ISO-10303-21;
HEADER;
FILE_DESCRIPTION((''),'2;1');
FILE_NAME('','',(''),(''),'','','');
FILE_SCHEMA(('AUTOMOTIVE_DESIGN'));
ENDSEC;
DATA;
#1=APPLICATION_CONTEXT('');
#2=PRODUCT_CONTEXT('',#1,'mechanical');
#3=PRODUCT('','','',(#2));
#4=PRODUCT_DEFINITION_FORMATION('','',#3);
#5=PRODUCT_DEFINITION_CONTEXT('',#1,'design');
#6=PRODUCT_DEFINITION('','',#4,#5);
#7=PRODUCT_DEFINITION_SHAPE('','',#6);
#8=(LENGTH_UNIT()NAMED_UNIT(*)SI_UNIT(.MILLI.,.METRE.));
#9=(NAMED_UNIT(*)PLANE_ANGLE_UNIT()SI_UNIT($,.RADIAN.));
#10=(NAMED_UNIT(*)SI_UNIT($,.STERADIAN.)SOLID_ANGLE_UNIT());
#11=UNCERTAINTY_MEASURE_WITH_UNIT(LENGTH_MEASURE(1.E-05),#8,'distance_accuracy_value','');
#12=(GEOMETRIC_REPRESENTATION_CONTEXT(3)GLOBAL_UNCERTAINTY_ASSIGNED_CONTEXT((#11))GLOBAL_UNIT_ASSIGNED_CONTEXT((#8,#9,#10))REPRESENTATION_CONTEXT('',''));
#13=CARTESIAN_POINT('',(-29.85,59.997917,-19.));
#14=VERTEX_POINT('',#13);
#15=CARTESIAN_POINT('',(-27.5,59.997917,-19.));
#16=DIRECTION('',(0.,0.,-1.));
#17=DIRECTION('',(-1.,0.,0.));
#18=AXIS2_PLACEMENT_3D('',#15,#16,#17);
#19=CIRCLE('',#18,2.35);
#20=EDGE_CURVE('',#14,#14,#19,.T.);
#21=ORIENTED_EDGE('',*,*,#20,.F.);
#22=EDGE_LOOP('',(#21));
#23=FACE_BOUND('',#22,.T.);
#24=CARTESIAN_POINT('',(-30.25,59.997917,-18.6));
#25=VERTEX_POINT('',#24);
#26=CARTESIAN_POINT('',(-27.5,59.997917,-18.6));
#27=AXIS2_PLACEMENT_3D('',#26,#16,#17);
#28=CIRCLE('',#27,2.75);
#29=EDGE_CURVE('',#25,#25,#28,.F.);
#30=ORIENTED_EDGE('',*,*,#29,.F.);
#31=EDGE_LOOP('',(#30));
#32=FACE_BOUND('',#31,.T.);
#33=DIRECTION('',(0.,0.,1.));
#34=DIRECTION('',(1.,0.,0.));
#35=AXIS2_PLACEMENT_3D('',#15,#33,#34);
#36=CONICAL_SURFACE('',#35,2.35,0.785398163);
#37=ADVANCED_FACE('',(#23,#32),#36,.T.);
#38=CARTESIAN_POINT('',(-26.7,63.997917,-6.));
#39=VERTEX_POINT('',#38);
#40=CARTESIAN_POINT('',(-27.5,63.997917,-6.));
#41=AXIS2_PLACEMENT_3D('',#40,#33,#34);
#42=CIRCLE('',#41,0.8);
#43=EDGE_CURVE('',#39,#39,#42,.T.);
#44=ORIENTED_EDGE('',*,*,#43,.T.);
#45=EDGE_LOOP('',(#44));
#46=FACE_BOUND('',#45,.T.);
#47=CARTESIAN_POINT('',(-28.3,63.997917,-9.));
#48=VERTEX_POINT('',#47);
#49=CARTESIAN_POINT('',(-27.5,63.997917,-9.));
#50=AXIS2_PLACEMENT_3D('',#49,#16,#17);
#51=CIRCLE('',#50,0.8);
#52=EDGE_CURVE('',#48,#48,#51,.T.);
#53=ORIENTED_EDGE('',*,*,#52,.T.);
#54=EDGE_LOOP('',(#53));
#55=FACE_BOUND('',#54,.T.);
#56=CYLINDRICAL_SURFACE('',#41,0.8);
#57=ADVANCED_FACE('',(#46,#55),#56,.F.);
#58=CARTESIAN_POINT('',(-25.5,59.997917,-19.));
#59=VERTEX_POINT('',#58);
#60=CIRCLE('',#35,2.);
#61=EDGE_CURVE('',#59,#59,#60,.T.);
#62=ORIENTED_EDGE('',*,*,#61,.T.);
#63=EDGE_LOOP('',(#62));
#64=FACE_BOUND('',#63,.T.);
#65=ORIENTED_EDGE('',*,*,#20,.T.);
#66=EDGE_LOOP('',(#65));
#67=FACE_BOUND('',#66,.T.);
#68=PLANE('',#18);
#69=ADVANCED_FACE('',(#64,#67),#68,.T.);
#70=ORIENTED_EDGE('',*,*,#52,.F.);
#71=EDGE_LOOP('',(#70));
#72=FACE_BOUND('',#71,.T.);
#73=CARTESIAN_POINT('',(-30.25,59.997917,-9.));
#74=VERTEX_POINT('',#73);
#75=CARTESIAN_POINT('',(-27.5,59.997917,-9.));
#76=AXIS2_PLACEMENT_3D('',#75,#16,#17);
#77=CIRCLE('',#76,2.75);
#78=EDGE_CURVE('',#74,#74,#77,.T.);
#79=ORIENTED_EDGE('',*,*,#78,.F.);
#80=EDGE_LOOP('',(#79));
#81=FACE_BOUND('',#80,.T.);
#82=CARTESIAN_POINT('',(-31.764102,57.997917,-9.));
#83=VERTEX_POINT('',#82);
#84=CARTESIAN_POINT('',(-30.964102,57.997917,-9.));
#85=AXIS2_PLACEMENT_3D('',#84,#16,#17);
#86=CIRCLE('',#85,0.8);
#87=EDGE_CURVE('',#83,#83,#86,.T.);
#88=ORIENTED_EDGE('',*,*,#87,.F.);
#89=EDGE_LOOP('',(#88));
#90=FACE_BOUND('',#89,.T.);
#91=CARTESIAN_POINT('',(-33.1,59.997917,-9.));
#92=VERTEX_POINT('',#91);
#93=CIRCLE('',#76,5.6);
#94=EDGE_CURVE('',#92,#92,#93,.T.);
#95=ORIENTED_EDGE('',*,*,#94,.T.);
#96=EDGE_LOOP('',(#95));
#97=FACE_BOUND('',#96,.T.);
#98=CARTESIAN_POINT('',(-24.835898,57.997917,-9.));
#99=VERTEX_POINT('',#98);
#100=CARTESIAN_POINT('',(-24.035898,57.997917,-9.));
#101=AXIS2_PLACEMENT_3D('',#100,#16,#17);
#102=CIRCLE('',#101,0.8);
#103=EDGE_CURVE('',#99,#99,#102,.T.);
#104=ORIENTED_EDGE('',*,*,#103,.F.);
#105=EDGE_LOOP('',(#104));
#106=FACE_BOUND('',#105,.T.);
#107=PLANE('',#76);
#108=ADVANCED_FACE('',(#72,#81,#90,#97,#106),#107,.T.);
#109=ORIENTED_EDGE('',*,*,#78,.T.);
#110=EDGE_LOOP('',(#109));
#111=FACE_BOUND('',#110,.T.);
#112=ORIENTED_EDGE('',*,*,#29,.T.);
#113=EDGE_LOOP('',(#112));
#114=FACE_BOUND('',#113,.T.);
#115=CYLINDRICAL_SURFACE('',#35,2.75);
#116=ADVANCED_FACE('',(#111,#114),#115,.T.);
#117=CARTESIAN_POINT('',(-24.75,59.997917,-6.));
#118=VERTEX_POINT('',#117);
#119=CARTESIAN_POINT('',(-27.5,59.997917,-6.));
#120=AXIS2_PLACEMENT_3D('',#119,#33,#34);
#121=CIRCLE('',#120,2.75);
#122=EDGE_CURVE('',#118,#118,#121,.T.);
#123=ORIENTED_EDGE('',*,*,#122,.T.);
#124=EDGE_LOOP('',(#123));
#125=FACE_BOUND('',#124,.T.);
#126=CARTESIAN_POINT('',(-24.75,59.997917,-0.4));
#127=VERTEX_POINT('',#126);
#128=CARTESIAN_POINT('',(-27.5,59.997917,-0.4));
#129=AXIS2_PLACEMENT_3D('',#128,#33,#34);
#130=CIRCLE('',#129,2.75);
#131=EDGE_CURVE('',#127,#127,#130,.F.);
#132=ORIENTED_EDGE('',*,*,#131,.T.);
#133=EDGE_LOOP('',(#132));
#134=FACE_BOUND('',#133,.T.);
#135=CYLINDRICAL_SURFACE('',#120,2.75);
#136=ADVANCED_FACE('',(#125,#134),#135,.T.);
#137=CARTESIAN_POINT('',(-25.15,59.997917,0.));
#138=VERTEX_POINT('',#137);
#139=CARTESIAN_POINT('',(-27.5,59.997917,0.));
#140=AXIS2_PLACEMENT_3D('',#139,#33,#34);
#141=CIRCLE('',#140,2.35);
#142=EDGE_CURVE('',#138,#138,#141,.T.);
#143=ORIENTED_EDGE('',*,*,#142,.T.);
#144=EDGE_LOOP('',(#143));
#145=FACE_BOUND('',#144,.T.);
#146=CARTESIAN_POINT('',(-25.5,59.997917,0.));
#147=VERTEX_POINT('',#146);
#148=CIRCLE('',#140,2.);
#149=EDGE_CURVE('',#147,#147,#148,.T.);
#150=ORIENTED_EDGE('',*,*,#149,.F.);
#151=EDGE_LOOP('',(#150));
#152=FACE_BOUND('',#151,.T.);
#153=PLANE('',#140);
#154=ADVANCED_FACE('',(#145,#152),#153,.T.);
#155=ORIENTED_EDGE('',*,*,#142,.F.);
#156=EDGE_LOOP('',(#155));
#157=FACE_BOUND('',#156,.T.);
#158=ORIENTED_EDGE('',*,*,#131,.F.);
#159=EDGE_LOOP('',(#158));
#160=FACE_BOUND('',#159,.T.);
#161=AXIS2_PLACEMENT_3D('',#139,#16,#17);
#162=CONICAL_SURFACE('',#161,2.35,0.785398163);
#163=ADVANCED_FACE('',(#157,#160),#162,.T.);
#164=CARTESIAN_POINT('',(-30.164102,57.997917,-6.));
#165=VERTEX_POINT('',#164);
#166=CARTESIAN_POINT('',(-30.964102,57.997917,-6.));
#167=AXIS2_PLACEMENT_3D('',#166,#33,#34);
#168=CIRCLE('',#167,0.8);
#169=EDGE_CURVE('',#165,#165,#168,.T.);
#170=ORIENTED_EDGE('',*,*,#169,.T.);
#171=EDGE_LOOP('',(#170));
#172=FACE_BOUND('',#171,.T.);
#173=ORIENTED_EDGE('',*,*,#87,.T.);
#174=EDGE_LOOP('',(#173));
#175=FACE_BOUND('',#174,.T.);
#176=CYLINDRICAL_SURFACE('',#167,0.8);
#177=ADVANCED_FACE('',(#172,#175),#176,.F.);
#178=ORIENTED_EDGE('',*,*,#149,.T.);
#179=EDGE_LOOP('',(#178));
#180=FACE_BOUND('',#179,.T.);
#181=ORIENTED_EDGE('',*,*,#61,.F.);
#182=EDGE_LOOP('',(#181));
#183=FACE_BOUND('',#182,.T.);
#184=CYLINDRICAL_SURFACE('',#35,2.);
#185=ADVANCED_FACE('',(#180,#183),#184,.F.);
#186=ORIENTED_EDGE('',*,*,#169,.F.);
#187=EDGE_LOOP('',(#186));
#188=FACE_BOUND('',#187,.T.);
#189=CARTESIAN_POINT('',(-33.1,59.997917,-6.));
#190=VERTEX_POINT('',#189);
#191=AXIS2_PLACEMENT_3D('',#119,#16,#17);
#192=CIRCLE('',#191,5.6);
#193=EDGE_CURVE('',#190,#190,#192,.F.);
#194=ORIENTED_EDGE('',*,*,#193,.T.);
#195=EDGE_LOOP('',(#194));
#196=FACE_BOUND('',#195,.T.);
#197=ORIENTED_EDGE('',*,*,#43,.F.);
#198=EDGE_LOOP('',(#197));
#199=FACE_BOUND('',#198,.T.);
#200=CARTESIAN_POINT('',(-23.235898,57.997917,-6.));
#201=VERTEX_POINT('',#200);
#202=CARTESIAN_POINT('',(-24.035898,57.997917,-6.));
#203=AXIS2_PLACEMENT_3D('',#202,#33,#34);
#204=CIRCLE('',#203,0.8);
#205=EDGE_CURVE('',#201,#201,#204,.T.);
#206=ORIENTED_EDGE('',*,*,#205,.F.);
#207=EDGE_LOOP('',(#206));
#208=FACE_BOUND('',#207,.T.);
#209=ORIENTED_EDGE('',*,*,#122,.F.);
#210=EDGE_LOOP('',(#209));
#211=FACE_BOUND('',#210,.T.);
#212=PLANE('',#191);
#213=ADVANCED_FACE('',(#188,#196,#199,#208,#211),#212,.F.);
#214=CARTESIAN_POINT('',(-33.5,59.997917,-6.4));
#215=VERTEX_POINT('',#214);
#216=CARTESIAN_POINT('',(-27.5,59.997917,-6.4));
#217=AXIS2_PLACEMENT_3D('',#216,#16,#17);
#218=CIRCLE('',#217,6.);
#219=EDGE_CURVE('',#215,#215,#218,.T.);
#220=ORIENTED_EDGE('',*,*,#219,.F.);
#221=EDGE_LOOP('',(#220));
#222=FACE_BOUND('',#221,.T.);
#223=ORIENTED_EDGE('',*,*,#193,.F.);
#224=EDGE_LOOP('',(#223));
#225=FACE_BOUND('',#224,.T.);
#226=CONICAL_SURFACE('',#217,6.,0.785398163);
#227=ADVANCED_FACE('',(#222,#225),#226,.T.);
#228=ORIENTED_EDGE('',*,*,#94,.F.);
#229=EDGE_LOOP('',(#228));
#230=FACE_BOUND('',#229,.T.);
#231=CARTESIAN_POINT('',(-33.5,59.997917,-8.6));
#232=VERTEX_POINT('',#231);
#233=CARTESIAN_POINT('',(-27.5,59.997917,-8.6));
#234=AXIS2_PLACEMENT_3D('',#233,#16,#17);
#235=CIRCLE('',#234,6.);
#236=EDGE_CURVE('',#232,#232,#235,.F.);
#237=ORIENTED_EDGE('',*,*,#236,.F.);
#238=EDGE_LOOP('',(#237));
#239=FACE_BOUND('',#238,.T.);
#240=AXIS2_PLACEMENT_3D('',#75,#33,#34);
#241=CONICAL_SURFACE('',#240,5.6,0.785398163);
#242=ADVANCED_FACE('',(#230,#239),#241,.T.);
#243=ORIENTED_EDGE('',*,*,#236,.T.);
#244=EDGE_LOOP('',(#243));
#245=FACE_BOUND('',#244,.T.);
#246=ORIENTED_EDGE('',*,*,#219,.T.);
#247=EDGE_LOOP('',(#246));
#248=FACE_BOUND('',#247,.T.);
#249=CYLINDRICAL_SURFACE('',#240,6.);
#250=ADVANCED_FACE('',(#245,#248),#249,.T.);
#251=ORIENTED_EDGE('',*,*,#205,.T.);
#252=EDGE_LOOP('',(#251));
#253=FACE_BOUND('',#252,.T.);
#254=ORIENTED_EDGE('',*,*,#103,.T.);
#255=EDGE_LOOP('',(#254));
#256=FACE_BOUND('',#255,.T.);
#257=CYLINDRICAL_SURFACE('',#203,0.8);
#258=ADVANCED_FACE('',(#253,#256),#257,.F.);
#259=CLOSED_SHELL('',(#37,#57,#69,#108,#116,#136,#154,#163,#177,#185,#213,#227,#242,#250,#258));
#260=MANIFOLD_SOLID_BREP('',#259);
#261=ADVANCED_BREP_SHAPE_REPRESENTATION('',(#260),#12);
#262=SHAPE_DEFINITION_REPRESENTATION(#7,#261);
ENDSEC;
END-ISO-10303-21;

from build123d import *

# Parameters (mm, degrees)
SKETCH1_R             = 2.75
BOSS_EXTRUDE1_DEPTH   = 6
SKETCH3_R             = 6
BOSS_EXTRUDE2_DEPTH   = 3
SKETCH4_R             = 2.75
BOSS_EXTRUDE3_DEPTH   = 10
M2X0_4_TAPPED_HOLE1_D = 1.6
CHAMFER1_SIZE         = 0.4
SKETCH7_R             = 2
CUT_EXTRUDE1_DEPTH    = 20


with BuildPart() as part:
    # Sketch1 → Boss-Extrude1 (new body)
    with BuildSketch(Plane.XY):
        with Locations((-27.5, 59.99791663)):
            Circle(SKETCH1_R)
    extrude(amount=-BOSS_EXTRUDE1_DEPTH)

    # Sketch3 → Boss-Extrude2 (add)
    with BuildSketch(Plane(origin=(0, 0, -6), x_dir=(-1, 0, 0), z_dir=(0, 0, -1))):
        with Locations((27.5, 59.99791663)):
            Circle(SKETCH3_R)
    extrude(amount=BOSS_EXTRUDE2_DEPTH)

    # Sketch4 → Boss-Extrude3 (add)
    with BuildSketch(Plane(origin=(0, 0, -9), x_dir=(-1, 0, 0), z_dir=(0, 0, -1))):
        with Locations((27.5, 59.99791663)):
            Circle(SKETCH4_R)
    extrude(amount=BOSS_EXTRUDE3_DEPTH)

    # M2x0.4 Tapped Hole1 (through all)
    with Locations(Plane.XY.offset(-6)):
        with Locations((-24.035898385, 57.99791663), (-30.964101615, 57.99791663), (-27.5, 63.99791663)):
            Hole(M2X0_4_TAPPED_HOLE1_D / 2)

    # Chamfer1
    chamfer1_edges = [part.edges().sort_by_distance(p)[0] for p in [
        (-24.75, 59.99791663, -19),
        (-30.25, 59.99791663, 0),
        (-21.5, 59.99791663, -6),
        (-21.5, 59.99791663, -9),
    ]]
    chamfer(chamfer1_edges, length=CHAMFER1_SIZE)

    # Sketch7 → Cut-Extrude1 (cut, through all)
    with BuildSketch(Plane.XY):
        with Locations((-27.5, 59.99791663)):
            Circle(SKETCH7_R)
    extrude(amount=-CUT_EXTRUDE1_DEPTH, mode=Mode.SUBTRACT)


solid = part.part
